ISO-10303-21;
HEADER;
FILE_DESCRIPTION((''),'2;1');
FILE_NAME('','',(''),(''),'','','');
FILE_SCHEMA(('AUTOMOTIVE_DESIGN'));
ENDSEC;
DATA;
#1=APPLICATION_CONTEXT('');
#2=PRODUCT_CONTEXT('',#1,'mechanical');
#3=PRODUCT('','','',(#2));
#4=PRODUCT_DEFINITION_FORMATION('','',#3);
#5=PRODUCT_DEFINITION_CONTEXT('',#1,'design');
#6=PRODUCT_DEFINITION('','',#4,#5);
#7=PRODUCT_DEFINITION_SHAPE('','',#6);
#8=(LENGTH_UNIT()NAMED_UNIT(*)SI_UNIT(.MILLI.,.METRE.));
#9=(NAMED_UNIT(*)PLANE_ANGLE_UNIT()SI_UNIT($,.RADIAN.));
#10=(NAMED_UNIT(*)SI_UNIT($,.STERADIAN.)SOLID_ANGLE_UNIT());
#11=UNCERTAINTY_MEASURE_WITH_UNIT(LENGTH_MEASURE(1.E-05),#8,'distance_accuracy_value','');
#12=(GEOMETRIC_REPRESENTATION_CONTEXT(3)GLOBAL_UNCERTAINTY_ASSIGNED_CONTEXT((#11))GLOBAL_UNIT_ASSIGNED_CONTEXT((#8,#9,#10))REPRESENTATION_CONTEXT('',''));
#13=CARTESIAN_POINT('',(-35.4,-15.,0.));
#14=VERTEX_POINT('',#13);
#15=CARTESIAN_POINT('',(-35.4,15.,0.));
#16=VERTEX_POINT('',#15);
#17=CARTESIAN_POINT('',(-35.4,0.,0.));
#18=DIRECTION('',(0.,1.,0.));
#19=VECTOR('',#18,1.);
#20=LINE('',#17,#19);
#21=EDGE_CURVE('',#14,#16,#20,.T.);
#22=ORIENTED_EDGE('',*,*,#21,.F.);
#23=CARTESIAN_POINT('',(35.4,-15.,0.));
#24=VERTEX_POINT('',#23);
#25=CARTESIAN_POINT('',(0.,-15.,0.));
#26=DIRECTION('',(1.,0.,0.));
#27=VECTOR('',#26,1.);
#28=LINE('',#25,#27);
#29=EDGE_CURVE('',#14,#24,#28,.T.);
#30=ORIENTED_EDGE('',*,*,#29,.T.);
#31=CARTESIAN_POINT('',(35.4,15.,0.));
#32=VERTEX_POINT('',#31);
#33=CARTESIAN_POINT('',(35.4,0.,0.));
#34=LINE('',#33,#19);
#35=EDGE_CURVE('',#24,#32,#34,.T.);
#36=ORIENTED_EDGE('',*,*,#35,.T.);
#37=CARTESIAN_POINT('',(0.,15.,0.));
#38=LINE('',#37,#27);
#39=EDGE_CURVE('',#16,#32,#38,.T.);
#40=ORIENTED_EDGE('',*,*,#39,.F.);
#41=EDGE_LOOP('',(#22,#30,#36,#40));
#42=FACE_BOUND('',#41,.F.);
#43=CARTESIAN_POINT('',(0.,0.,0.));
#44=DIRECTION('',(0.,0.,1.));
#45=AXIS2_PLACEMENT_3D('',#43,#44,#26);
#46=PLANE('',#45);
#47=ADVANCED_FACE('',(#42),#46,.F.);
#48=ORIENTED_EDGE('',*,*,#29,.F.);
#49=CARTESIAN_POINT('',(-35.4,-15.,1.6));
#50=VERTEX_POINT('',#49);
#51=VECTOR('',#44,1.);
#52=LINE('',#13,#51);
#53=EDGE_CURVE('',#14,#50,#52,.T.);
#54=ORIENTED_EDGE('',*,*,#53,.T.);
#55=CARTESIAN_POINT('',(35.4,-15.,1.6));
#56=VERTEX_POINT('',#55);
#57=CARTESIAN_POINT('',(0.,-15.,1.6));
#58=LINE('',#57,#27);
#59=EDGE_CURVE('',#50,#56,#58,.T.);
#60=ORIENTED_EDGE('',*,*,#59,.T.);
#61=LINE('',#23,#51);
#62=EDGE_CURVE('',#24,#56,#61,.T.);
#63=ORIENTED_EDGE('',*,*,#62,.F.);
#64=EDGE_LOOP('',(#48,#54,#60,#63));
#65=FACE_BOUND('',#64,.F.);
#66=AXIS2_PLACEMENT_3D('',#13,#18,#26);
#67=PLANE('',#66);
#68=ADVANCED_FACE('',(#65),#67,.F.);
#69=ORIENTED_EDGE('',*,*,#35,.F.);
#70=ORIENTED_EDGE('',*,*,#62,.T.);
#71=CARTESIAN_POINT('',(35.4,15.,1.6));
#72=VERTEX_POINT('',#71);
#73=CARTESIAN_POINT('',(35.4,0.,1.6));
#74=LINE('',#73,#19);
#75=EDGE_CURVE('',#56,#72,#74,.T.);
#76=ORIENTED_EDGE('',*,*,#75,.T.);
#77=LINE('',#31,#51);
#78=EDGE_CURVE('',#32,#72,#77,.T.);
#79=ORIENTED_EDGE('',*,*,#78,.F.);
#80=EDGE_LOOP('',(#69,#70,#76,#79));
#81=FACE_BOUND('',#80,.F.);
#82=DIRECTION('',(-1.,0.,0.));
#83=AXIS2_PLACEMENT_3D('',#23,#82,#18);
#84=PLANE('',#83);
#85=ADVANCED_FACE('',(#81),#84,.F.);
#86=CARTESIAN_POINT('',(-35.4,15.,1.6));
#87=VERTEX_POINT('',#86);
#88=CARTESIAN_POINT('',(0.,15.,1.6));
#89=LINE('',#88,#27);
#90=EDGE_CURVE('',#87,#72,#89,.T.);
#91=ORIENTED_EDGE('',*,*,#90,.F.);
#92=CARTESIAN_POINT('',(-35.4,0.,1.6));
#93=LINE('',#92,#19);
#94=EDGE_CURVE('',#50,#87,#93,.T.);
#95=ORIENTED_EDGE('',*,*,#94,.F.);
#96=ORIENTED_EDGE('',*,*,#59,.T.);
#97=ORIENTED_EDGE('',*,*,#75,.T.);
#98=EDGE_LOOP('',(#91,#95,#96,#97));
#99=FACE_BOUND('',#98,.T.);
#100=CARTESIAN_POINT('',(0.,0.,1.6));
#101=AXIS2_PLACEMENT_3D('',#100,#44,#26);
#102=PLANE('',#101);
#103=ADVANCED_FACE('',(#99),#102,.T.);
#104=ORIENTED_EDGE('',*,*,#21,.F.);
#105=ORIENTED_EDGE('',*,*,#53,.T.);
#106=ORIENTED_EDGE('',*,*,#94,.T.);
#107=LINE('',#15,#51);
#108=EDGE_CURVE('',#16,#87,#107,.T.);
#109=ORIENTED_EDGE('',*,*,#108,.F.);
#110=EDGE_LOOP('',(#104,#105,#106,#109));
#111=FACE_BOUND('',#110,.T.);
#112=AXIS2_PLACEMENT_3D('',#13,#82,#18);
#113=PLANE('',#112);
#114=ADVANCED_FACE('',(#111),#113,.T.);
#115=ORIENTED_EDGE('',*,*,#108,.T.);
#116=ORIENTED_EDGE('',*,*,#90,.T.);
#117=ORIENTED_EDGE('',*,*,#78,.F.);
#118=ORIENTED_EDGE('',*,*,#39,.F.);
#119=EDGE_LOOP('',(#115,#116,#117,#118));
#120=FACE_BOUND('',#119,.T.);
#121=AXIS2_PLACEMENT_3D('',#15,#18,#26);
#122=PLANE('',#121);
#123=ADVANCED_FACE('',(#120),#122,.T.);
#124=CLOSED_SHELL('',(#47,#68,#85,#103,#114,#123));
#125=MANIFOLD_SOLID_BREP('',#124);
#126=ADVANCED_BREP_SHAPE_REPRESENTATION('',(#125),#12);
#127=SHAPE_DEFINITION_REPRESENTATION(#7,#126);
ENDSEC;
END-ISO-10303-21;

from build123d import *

# Parameters (mm, degrees)
SKETCH_W  = 70.8
SKETCH_H  = 30
PAD_DEPTH = 1.6


with BuildPart() as part:
    # Sketch → Pad (new body)
    with BuildSketch(Plane.XY):
        Rectangle(SKETCH_W, SKETCH_H)
    extrude(amount=PAD_DEPTH)


solid = part.part
